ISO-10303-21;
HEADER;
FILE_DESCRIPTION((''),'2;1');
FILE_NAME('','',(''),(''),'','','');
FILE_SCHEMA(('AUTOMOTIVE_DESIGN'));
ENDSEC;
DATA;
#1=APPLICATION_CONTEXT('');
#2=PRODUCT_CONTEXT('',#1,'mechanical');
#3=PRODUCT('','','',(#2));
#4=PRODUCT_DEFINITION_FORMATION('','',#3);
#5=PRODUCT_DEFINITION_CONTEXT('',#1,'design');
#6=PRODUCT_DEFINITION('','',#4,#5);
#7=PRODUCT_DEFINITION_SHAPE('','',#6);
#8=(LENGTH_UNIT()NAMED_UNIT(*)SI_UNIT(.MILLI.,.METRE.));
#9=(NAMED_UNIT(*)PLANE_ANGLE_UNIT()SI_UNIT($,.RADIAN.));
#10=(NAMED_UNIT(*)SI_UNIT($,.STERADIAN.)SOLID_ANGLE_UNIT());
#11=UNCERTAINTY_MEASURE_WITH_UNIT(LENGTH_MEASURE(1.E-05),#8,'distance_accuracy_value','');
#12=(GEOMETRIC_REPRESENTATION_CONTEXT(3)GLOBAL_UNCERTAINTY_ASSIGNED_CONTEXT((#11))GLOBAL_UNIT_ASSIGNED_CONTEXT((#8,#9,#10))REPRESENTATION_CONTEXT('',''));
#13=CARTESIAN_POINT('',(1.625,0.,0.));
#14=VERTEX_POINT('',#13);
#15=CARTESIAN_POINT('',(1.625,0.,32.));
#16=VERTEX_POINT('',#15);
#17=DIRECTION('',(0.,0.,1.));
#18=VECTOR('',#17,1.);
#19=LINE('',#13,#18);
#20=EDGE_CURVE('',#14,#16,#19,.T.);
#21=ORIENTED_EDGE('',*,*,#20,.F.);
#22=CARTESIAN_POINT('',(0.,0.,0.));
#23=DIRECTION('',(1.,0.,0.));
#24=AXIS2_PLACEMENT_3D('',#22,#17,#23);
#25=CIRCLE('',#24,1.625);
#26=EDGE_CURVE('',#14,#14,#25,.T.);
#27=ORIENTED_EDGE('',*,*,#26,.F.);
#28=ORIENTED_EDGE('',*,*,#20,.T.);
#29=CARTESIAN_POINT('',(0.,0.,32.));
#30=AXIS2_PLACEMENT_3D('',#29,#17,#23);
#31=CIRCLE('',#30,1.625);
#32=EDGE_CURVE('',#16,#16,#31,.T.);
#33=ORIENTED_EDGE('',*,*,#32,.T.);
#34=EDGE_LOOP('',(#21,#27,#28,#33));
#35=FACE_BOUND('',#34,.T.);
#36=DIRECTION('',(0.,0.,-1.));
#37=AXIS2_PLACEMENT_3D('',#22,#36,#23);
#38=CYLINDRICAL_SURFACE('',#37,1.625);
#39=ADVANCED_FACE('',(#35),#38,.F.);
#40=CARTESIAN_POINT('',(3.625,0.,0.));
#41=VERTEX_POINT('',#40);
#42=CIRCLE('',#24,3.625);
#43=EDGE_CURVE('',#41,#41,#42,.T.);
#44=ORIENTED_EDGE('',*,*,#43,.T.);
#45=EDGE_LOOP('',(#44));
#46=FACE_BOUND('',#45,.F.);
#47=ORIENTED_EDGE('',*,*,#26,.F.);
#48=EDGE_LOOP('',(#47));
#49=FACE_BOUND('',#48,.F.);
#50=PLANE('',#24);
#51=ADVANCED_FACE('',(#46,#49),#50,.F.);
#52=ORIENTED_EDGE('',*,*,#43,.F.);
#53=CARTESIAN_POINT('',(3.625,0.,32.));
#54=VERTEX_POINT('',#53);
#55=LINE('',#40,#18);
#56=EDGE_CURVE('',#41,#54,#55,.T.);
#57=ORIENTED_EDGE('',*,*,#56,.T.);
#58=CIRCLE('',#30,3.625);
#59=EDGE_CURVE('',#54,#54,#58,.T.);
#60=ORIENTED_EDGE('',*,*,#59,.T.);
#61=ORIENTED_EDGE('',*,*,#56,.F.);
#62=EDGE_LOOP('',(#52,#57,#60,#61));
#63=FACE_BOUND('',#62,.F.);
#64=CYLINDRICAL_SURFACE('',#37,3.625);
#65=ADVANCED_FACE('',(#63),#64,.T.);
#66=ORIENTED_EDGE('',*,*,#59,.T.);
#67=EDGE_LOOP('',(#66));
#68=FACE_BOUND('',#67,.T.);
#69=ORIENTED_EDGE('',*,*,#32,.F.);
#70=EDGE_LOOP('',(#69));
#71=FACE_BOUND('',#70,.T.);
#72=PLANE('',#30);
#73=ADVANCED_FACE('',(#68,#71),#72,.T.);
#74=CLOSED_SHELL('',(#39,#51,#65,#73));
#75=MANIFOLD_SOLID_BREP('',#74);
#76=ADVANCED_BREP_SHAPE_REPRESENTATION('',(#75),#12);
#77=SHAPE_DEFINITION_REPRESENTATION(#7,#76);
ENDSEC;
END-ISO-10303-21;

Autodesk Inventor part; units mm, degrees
ref_plane "YZ Plane" through (0, 0, 0) normal (1, 0, 0) x (0, 1, 0)
ref_plane "XZ Plane" through (0, 0, 0) normal (0, 1, 0) x (-1, 0, 0)
ref_plane "XY Plane" through (0, 0, 0) normal (0, 0, 1) x (1, 0, 0)
sketch "Sketch1" plane through (0, 0, 0) normal (0, 0, 1) x (1, 0, 0)
  circle A0 centre (0, 0) radius 1.625
  circle A1 centre (0, 0) radius 3.625
  dimension "d0" = 3.25
  dimension "d1" = 2
extrude "Extrusion1" add sketch "Sketch1" along normal blind 32
properties part number "3DP_PLA_Spacer" material "ABS Plastic"
